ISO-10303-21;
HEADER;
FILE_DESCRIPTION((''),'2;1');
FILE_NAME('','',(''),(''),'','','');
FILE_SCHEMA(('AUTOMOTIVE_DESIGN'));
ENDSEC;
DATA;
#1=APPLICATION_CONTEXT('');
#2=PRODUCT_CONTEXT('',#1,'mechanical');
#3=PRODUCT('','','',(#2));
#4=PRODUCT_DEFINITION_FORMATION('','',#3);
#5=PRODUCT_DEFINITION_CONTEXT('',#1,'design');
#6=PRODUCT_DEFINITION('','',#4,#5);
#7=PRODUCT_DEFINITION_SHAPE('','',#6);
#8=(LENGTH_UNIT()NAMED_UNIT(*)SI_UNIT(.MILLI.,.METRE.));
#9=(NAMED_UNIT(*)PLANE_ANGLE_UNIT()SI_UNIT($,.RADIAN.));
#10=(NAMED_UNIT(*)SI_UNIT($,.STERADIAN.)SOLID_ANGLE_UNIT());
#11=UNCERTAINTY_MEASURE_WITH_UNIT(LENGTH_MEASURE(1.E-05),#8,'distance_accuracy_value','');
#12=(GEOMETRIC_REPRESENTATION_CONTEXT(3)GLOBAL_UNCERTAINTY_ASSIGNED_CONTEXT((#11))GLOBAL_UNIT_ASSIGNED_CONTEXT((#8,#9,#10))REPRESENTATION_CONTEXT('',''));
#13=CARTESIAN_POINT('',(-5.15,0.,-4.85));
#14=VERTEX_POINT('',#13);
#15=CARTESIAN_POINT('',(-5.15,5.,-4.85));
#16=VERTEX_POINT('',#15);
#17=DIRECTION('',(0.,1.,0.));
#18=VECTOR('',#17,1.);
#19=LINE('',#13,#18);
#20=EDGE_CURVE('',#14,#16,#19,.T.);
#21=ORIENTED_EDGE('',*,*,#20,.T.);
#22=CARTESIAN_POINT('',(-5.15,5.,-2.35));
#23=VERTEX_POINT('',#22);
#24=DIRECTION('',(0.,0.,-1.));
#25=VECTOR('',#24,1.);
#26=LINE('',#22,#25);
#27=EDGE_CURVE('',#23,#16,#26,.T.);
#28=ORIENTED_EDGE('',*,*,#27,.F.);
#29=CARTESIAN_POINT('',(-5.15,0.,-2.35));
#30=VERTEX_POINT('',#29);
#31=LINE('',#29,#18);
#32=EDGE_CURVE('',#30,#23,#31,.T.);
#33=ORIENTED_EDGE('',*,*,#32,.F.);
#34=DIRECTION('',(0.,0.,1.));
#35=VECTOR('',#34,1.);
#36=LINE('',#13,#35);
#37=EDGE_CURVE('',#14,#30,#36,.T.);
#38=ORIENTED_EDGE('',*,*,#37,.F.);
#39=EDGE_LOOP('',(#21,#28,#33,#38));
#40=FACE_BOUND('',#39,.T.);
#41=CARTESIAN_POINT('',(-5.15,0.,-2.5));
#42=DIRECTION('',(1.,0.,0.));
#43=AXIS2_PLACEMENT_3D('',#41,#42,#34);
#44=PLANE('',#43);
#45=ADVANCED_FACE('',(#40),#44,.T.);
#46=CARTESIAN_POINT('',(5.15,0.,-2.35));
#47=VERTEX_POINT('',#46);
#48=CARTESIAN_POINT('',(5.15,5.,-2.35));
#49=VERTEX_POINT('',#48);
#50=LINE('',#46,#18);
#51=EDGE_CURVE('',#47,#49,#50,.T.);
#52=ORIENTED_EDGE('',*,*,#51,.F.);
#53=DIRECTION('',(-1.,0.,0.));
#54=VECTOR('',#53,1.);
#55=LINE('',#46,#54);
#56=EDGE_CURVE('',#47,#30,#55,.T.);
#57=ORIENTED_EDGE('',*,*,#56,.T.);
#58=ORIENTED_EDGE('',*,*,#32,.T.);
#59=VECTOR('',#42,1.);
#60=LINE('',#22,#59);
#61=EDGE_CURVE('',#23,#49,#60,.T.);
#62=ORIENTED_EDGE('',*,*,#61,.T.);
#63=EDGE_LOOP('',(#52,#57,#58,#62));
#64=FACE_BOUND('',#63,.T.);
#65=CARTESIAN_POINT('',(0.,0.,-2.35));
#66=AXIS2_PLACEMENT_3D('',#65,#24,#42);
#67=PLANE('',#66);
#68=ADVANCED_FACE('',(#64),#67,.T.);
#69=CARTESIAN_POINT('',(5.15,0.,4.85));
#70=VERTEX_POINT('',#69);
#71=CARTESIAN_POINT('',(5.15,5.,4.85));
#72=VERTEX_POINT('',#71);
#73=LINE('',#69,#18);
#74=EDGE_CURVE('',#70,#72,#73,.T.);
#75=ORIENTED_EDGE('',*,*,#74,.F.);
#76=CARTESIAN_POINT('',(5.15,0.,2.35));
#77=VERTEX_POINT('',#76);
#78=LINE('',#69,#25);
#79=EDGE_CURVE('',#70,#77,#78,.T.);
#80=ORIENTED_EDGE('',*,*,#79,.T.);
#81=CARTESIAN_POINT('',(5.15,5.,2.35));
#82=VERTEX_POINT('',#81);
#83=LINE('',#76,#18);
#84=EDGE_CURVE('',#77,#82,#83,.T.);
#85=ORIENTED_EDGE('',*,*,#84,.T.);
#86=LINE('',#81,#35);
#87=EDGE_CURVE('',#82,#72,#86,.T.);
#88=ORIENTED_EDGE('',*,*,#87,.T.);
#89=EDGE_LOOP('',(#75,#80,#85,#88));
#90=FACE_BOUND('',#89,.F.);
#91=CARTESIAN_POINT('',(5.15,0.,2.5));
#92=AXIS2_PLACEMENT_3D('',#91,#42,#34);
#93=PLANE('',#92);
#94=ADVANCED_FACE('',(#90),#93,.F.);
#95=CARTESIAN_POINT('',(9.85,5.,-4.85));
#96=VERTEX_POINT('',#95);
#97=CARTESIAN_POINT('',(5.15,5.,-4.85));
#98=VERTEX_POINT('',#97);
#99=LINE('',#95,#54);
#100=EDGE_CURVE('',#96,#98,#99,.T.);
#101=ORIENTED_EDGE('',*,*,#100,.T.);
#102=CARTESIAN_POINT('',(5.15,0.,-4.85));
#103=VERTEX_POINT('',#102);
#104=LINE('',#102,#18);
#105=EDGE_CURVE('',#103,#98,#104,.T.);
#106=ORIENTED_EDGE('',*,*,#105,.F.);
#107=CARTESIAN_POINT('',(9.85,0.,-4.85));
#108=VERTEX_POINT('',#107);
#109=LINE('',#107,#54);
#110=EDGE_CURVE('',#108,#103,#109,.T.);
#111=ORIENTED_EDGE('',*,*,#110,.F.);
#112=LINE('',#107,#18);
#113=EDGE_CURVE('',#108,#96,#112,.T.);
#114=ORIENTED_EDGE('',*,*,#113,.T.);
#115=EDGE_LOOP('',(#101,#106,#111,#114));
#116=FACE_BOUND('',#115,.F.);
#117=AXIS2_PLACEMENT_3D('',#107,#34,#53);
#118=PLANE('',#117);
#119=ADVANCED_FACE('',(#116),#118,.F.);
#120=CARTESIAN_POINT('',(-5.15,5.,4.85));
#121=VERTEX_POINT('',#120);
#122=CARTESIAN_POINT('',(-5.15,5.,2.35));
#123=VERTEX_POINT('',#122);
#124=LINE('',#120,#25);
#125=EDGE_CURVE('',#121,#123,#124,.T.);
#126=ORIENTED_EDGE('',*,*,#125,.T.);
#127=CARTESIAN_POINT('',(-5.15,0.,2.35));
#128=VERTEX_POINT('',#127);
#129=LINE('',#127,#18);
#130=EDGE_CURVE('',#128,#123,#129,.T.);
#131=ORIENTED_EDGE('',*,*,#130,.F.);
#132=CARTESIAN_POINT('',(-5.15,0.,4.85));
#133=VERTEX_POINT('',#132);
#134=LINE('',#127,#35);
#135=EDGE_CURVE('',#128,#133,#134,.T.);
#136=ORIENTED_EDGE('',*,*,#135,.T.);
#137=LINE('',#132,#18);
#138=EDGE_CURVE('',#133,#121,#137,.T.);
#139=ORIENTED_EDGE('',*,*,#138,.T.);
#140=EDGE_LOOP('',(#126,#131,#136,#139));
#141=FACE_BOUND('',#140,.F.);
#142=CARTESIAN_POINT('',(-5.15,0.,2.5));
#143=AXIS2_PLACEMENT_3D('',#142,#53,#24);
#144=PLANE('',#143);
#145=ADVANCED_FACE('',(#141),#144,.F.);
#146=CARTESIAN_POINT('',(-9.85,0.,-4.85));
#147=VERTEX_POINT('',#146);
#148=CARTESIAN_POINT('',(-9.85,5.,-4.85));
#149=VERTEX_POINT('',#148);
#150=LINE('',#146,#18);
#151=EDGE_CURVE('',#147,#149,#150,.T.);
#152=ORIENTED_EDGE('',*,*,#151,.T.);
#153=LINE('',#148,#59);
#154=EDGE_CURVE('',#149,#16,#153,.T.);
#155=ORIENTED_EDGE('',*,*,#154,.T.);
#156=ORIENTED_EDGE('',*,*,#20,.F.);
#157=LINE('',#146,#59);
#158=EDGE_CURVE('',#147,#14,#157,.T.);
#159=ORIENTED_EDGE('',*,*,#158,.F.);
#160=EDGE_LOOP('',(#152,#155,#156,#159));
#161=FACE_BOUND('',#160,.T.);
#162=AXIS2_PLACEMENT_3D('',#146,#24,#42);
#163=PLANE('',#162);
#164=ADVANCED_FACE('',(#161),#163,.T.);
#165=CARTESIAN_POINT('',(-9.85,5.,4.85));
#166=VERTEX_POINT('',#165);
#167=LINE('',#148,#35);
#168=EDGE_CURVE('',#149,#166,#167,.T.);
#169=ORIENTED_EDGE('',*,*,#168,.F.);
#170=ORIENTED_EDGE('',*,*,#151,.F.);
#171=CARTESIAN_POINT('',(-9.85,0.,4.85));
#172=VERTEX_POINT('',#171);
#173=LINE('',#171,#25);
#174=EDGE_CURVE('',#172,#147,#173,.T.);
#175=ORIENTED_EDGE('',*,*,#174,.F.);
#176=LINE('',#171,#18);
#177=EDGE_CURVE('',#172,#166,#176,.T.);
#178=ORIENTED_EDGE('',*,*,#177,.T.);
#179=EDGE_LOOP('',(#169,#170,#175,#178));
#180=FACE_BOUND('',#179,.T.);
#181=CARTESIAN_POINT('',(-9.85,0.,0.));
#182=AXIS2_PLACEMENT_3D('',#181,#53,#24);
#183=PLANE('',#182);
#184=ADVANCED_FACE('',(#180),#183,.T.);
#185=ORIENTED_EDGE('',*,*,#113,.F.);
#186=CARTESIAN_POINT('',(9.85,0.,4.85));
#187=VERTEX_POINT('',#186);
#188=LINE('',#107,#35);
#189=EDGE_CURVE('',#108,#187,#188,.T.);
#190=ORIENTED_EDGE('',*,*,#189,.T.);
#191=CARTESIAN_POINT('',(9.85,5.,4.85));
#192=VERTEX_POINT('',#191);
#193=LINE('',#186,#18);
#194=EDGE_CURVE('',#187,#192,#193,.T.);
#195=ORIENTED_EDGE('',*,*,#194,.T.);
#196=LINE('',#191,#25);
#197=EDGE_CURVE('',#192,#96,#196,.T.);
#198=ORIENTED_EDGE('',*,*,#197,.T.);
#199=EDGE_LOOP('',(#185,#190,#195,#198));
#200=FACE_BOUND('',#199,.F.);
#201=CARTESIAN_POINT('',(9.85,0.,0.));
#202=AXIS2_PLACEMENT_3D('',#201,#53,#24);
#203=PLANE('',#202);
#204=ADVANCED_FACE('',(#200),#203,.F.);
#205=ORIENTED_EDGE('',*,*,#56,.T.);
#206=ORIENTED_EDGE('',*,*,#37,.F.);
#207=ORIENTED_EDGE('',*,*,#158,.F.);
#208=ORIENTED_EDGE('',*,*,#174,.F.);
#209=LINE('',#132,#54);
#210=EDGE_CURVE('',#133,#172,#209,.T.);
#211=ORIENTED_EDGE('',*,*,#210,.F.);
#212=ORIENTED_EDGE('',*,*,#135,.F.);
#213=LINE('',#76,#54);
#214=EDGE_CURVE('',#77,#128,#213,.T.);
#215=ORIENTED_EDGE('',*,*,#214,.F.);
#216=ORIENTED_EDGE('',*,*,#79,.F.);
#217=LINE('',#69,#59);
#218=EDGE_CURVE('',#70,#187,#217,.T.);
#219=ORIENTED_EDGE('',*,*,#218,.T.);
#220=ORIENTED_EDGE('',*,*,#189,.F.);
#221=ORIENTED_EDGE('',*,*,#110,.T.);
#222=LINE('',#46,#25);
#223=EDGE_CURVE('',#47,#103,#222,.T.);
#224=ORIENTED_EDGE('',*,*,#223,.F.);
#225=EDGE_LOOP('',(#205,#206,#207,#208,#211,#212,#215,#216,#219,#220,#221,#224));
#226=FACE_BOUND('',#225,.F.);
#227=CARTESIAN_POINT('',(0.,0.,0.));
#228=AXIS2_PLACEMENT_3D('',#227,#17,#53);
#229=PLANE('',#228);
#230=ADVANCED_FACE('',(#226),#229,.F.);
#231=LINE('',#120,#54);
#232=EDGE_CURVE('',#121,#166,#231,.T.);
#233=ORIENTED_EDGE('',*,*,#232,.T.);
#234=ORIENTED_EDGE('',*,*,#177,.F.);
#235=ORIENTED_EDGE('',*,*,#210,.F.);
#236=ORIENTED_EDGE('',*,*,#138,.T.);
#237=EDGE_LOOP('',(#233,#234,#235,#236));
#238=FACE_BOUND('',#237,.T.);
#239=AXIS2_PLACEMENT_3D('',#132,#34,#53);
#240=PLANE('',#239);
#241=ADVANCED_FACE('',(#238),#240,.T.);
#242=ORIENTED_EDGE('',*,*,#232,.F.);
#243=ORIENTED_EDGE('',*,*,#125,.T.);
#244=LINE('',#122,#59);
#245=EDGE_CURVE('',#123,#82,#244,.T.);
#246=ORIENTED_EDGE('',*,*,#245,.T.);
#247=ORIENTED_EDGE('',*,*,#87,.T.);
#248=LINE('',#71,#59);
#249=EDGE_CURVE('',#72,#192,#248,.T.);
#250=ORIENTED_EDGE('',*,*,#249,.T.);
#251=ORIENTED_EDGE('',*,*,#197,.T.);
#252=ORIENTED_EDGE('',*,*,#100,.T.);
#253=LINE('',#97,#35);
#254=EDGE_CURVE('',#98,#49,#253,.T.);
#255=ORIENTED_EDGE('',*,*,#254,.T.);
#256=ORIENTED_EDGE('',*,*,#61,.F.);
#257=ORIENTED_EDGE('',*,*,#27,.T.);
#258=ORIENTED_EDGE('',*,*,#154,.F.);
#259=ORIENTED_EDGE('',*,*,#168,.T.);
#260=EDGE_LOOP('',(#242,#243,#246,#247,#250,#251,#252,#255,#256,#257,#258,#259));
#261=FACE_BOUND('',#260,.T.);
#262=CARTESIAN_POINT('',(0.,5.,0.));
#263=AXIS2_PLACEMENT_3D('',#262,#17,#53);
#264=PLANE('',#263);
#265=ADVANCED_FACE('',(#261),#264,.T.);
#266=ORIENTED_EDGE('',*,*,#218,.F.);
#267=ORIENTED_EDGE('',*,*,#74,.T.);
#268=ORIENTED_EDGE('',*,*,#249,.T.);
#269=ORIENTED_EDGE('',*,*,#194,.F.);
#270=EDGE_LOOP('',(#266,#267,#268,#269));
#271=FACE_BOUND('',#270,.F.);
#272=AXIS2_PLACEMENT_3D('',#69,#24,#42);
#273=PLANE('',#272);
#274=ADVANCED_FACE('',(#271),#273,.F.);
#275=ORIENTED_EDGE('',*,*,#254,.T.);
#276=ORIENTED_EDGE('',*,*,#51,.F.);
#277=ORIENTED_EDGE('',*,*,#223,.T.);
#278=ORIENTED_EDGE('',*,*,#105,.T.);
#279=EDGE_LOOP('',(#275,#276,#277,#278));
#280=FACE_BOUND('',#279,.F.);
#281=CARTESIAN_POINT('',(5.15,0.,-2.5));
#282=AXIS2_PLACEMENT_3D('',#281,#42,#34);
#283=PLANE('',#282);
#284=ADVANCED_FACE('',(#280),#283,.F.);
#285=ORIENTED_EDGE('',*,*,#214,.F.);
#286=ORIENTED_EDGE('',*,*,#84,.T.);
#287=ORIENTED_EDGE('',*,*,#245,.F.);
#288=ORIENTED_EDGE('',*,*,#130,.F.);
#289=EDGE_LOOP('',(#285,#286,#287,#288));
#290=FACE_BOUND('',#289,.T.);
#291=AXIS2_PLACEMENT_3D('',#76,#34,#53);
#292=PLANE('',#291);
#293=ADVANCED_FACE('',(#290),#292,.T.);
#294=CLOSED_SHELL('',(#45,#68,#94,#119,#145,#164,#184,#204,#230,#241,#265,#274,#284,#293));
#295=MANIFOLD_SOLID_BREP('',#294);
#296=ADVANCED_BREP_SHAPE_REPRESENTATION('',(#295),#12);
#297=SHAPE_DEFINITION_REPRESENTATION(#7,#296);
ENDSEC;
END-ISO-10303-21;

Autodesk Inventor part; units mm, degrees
ref_plane "YZ Plane" through (0, 0, 0) normal (1, 0, 0) x (0, 1, 0)
ref_plane "XZ Plane" through (0, 0, 0) normal (0, 1, 0) x (-1, 0, 0)
ref_plane "XY Plane" through (0, 0, 0) normal (0, 0, 1) x (1, 0, 0)
sketch "Sketch1" plane through (0, 0, 0) normal (0, 1, 0) x (-1, 0, 0)
  line L0 (0, -2.5) -> (0, 2.5)
  line L1 (5, 2.5) -> (0, 2.5)
  line L2 (5, 5) -> (5, 2.5)
  line L3 (10, 5) -> (5, 5)
  line L4 (10, -5) -> (10, 5)
  line L5 (5, -5) -> (10, -5)
  line L6 (5, -2.5) -> (5, -5)
  line L7 (0, -2.5) -> (5, -2.5)
  line L8 (0, 0) -> (10, 0)
  line L9 (0, 8) -> (0, -11)
  line L10 (-5, 2.5) -> (0, 2.5)
  line L11 (-5, 5) -> (-5, 2.5)
  line L12 (-10, 5) -> (-5, 5)
  line L13 (-10, -5) -> (-10, 5)
  line L14 (-5, -5) -> (-10, -5)
  line L15 (-5, -2.5) -> (-5, -5)
  line L16 (0, -2.5) -> (-5, -2.5)
  line L17 (0, 0) -> (-10, 0)
  line L18 (-10, 5) -> (-9.85, 5)
  line L19 (-9.85, 5) -> (-9.85, 4.85)
  line L20 (-9.85, 4.85) -> (-10, 4.85)
  line L21 (-10, 4.85) -> (-10, 5)
  line L22 (-10, -5) -> (-9.85, -5)
  line L23 (-9.85, -5) -> (-9.85, -4.85)
  line L24 (-9.85, -4.85) -> (-10, -4.85)
  line L25 (-10, -4.85) -> (-10, -5)
  line L26 (-5, 5) -> (-5.15, 5)
  line L27 (-5.15, 5) -> (-5.15, 4.85)
  line L28 (-5.15, 4.85) -> (-5, 4.85)
  line L29 (-5, 4.85) -> (-5, 5)
  line L30 (-5, -5) -> (-5.15, -5)
  line L31 (-5.15, -5) -> (-5.15, -4.85)
  line L32 (-5.15, -4.85) -> (-5, -4.85)
  line L33 (-5, -4.85) -> (-5, -5)
  line L34 (-5, -2.5) -> (-5.15, -2.5)
  line L35 (-5.15, -2.5) -> (-5.15, -2.35)
  line L36 (-5.15, -2.35) -> (-5, -2.35)
  line L37 (-5, -2.35) -> (-5, -2.5)
  line L38 (-5, 2.5) -> (-5.15, 2.5)
  line L39 (-5.15, 2.5) -> (-5.15, 2.35)
  line L40 (-5.15, 2.35) -> (-5, 2.35)
  line L41 (-5, 2.35) -> (-5, 2.5)
  line L42 (5, 2.5) -> (5.15, 2.5)
  line L43 (5.15, 2.5) -> (5.15, 2.35)
  line L44 (5.15, 2.35) -> (5, 2.35)
  line L45 (5, 2.35) -> (5, 2.5)
  line L46 (5, 5) -> (5.15, 5)
  line L47 (5.15, 5) -> (5.15, 4.85)
  line L48 (5.15, 4.85) -> (5, 4.85)
  line L49 (5, 4.85) -> (5, 5)
  line L50 (10, 5) -> (9.85, 5)
  line L51 (9.85, 5) -> (9.85, 4.85)
  line L52 (9.85, 4.85) -> (10, 4.85)
  line L53 (10, 4.85) -> (10, 5)
  line L54 (10, -5) -> (9.85, -5)
  line L55 (9.85, -5) -> (9.85, -4.85)
  line L56 (9.85, -4.85) -> (10, -4.85)
  line L57 (10, -4.85) -> (10, -5)
  line L58 (5, -5) -> (5.15, -5)
  line L59 (5.15, -5) -> (5.15, -4.85)
  line L60 (5.15, -4.85) -> (5, -4.85)
  line L61 (5, -4.85) -> (5, -5)
  line L62 (5, -2.5) -> (5.15, -2.5)
  line L63 (5.15, -2.5) -> (5.15, -2.35)
  line L64 (5.15, -2.35) -> (5, -2.35)
  line L65 (5, -2.35) -> (5, -2.5)
  line L66 (5.15, 4.85) -> (9.85, 4.85)
  line L67 (9.85, 4.85) -> (9.85, -4.85)
  line L68 (9.85, -4.85) -> (5.15, -4.85)
  line L69 (5.15, -4.85) -> (5.15, 4.85)
  line L70 (-5.15, 4.85) -> (-9.85, 4.85)
  line L71 (-9.85, 4.85) -> (-9.85, -4.85)
  line L72 (-9.85, -4.85) -> (-5.15, -4.85)
  line L73 (-5.15, -4.85) -> (-5.15, 4.85)
  line L74 (-5.15, 2.35) -> (5.15, 2.35)
  line L75 (5.15, 2.35) -> (5.15, -2.35)
  line L76 (5.15, -2.35) -> (-5.15, -2.35)
  line L77 (-5.15, -2.35) -> (-5.15, 2.35)
  dimension "d0" = 0.15
  dimension "d1" = 0.15
  dimension "d2" = 0.15
  dimension "d3" = 0.15
  dimension "d4" = 0.15
  dimension "d5" = 0.15
  dimension "d6" = 0.15
  dimension "d7" = 0.15
  dimension "d8" = 0.15
  dimension "d9" = 0.15
  dimension "d10" = 0.15
  dimension "d11" = 0.15
  dimension "d12" = 0.15
  dimension "d13" = 0.15
  dimension "d14" = 0.15
  dimension "d15" = 0.15
  dimension "d16" = 0.15
  dimension "d17" = 0.15
  dimension "d18" = 0.15
  dimension "d19" = 0.15
  dimension "d20" = 0.15
  dimension "d21" = 0.15
  dimension "d22" = 0.15
  dimension "d23" = 0.15
extrude "Extrusion1" add sketch "Sketch1" along normal blind 5 contours L76 L36 L73 L17 L0 | L0 L8 L69 L64 L76 | L17 L73 L40 L74 L0 | L0 L74 L44 L69 L8 | L63 L69 L8 L67 L68 | L73 L72 L71 L17 L35 | L69 L43 L66 L67 L8 | L17 L71 L70 L73 L39
properties part number "outerdisk_pin"
